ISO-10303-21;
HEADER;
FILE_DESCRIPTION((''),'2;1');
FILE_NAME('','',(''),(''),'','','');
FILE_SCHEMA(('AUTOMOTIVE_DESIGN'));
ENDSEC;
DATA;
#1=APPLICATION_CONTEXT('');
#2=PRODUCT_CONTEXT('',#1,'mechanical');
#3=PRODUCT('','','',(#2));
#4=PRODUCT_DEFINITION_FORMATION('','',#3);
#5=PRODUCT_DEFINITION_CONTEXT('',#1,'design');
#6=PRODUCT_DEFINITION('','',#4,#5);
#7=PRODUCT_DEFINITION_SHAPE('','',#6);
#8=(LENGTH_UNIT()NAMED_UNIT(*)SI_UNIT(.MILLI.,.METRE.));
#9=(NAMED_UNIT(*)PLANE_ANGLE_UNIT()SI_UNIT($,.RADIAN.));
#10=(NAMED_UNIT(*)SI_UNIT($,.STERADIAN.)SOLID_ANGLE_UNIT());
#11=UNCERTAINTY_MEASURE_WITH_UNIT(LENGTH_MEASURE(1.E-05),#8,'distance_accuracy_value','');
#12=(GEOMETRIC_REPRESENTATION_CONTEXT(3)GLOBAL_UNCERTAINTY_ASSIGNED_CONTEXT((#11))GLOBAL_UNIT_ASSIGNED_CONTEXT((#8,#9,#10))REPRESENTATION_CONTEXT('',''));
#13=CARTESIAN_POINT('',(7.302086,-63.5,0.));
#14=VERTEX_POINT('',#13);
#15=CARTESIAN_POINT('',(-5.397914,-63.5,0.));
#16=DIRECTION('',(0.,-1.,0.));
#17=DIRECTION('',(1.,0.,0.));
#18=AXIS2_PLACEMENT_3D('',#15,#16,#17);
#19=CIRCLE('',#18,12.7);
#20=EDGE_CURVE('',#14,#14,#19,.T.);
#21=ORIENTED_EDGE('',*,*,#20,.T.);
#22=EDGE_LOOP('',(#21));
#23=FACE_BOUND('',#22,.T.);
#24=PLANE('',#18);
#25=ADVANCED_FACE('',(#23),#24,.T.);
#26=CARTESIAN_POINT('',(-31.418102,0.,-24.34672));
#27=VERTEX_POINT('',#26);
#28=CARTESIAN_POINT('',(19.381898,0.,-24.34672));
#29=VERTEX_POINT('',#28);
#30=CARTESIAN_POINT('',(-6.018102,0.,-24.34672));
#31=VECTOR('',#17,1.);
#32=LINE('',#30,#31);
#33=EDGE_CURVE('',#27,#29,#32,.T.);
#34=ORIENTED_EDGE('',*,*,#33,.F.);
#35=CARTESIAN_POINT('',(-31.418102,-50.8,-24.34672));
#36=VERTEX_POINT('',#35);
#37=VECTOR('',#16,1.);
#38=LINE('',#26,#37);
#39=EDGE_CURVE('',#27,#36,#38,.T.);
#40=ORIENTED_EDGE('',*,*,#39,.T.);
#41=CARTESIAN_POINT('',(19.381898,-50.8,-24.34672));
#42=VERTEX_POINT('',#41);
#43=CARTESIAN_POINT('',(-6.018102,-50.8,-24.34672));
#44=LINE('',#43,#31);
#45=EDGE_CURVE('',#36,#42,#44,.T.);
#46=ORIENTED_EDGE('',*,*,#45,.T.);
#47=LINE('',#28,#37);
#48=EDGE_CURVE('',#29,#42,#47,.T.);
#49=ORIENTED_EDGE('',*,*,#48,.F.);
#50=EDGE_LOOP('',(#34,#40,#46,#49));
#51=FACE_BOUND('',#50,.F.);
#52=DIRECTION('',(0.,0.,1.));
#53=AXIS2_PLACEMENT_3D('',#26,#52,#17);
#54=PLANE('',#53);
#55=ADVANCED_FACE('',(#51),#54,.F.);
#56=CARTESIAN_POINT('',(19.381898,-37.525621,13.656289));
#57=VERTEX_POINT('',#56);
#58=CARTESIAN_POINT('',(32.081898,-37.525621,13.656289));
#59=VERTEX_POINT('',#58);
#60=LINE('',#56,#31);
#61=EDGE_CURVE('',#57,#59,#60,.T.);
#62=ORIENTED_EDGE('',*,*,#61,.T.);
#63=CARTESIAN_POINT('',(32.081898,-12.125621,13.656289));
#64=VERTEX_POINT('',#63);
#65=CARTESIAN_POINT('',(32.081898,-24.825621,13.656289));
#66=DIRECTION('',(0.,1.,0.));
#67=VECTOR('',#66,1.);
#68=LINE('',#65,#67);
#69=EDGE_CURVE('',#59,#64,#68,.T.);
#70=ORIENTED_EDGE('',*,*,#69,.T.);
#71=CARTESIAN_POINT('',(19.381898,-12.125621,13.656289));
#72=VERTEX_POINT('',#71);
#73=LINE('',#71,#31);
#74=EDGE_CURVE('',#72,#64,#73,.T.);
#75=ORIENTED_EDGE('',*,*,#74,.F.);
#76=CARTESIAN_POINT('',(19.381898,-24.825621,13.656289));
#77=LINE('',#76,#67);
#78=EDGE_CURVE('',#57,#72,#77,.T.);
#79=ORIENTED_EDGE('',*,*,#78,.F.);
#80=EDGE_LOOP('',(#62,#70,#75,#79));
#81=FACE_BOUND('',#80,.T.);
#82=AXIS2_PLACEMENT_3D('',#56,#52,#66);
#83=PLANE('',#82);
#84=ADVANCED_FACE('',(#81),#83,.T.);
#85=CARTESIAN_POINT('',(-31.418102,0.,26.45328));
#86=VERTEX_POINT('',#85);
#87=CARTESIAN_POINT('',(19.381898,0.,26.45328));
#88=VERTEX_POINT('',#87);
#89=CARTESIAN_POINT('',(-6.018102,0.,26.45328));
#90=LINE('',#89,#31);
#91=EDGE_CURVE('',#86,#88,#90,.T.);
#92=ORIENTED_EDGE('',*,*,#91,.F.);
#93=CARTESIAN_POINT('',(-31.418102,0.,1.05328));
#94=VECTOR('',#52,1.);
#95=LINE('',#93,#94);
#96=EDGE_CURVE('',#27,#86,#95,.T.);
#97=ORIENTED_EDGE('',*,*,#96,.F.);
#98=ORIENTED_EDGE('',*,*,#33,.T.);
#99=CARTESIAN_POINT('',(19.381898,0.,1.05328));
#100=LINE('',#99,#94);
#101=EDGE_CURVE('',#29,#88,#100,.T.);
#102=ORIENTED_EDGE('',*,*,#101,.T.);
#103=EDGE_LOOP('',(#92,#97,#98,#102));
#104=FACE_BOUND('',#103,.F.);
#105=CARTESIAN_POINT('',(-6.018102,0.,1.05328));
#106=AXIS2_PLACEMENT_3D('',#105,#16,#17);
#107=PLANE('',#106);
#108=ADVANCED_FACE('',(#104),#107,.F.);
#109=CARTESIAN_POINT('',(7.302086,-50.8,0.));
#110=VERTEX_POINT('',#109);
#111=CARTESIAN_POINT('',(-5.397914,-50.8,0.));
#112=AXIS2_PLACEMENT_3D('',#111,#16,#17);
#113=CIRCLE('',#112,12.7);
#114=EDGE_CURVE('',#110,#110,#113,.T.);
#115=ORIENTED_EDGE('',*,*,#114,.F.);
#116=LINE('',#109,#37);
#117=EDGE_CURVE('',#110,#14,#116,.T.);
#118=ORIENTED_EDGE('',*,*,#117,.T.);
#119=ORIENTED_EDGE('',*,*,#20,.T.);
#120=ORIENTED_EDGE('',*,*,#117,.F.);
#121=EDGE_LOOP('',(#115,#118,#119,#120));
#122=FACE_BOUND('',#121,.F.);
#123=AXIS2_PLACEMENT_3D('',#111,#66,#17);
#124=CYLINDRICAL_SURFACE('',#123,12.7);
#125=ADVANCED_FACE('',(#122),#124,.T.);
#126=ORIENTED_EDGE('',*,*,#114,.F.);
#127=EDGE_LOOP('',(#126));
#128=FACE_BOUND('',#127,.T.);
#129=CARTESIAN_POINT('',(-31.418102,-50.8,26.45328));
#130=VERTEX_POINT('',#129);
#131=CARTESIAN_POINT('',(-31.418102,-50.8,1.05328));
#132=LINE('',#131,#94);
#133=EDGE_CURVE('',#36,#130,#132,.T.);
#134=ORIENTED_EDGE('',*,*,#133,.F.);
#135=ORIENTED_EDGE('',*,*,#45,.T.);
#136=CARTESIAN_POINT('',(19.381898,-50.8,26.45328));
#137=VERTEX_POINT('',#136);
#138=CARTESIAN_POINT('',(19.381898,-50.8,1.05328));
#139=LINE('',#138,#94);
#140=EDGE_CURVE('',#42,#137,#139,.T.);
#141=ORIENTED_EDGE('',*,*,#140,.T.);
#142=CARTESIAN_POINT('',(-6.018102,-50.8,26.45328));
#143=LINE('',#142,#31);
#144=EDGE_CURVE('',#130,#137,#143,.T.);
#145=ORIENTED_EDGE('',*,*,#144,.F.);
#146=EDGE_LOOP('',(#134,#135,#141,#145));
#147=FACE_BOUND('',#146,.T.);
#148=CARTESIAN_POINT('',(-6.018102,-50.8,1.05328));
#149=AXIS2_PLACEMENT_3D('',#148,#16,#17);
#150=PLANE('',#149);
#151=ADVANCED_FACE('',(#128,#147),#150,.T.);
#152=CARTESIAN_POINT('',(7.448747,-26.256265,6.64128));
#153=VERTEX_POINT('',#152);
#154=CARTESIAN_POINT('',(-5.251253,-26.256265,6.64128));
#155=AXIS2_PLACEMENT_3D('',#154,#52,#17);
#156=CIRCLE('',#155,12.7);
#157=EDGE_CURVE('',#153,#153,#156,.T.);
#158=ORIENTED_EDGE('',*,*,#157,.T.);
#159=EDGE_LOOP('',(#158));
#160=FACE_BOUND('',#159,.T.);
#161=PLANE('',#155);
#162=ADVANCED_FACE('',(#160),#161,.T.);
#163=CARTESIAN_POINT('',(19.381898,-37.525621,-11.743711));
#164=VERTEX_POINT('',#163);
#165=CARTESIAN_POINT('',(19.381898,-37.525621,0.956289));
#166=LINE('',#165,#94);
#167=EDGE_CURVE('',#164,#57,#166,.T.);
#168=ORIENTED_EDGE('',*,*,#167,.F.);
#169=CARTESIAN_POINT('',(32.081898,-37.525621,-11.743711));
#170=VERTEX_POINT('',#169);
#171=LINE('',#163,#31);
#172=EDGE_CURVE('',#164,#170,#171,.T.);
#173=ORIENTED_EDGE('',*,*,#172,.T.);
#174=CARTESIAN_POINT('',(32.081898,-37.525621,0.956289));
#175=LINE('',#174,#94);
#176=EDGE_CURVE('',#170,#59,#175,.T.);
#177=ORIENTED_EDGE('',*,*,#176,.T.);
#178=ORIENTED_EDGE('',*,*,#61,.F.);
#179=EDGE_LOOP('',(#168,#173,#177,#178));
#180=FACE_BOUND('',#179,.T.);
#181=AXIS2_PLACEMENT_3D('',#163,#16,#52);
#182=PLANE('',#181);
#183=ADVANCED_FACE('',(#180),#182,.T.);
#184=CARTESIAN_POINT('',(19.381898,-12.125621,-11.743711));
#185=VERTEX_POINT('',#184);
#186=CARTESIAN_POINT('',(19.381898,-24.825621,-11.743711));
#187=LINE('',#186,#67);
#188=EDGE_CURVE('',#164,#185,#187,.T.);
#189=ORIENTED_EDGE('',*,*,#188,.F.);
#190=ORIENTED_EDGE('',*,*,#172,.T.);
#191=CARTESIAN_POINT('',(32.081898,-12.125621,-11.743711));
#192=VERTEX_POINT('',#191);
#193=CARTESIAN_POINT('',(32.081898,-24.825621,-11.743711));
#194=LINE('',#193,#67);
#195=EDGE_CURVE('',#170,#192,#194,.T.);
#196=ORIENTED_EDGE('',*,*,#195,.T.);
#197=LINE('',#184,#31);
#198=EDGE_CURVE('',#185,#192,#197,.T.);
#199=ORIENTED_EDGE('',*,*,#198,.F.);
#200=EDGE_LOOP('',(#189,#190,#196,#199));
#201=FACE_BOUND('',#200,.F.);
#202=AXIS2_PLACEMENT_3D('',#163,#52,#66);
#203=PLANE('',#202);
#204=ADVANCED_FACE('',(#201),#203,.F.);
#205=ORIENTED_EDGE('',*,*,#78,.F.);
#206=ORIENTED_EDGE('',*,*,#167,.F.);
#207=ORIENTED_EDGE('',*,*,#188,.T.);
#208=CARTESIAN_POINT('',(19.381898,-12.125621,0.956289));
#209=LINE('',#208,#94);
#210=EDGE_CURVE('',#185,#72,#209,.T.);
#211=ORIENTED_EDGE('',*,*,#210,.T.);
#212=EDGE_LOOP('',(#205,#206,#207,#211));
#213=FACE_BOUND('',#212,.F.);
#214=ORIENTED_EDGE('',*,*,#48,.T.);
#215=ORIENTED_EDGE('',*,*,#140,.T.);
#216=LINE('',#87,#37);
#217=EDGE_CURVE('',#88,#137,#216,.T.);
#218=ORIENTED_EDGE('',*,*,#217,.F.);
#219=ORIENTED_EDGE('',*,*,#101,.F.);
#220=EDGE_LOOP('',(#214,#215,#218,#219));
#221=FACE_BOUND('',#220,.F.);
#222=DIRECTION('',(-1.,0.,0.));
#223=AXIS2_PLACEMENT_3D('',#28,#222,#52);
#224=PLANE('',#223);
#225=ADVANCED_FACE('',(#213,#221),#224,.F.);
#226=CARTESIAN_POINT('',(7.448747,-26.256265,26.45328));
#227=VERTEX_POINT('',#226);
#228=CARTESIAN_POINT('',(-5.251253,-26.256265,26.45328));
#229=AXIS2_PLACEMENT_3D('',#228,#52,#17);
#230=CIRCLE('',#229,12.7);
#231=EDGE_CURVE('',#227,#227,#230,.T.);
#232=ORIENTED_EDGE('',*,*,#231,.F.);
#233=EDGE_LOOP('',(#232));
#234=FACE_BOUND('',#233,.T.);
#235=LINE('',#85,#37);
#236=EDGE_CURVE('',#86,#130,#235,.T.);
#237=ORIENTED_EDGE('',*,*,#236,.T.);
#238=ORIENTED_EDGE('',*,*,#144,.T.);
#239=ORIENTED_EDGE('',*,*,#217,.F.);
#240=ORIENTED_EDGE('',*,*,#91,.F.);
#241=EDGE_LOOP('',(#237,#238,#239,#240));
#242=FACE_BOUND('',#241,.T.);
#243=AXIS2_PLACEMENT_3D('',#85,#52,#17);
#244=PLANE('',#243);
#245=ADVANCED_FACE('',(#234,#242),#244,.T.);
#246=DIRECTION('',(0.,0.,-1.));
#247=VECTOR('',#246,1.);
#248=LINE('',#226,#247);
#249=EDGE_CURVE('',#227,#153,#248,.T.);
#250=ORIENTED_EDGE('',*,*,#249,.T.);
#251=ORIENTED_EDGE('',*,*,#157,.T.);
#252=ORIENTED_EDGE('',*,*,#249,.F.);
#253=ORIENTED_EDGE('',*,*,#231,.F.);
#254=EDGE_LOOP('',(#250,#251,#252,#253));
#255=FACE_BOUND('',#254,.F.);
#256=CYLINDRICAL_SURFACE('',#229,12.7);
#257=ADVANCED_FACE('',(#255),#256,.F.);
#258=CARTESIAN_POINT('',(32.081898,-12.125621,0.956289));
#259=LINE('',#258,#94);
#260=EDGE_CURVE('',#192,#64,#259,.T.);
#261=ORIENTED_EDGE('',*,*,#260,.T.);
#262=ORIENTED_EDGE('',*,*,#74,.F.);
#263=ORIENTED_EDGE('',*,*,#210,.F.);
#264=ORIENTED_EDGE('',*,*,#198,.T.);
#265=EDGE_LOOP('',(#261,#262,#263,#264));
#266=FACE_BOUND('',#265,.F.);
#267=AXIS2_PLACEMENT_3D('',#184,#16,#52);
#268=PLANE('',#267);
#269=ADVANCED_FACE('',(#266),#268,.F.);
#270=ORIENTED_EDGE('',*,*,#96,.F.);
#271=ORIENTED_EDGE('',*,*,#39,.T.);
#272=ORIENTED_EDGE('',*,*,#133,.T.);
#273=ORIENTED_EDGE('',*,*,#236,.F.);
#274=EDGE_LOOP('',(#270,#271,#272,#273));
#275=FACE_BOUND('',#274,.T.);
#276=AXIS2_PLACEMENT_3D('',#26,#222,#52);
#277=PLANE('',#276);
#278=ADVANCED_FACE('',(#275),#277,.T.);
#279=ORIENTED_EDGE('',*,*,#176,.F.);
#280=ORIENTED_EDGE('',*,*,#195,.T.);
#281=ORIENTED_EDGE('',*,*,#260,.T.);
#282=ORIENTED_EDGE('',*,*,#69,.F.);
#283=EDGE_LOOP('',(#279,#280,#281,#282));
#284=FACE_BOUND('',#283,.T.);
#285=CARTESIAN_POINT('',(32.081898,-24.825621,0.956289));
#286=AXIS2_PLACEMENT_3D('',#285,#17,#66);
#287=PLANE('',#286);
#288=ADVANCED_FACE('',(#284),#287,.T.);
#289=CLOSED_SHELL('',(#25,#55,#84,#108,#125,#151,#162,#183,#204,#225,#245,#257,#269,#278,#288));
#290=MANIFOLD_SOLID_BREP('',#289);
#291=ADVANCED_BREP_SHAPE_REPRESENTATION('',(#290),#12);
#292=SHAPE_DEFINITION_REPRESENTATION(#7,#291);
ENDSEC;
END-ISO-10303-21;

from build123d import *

# Parameters (mm, degrees)
F0_W     = 50.8
F0_H     = 50.8
F1_DEPTH = 50.8
F2_R     = 12.7
F3_DEPTH = 12.7
F4_W     = 25.4
F4_H     = 25.4
F5_DEPTH = 12.7
F6_R     = 12.7
F7_DEPTH = 19.812


with BuildPart() as f1:
    # F0 (on Front) → F1 (new body)
    with BuildSketch(Plane.XZ):
        with Locations((-6.018102, 1.05328)):
            Rectangle(F0_W, F0_H)
    extrude(amount=F1_DEPTH)

    # F2 (on face) → F3 (join)
    with BuildSketch(Plane.XZ.offset(50.8)):
        with Locations((-5.397914, 0)):
            Circle(F2_R)
    extrude(amount=F3_DEPTH)

    # F4 (on face) → F5 (join)
    with BuildSketch(Plane.YZ.offset(19.381898)):
        with Locations((-24.825621, 0.956289)):
            Rectangle(F4_W, F4_H)
    extrude(amount=F5_DEPTH)

    # F6 (on face) → F7 (cut)
    with BuildSketch(Plane.XY.offset(26.45328)):
        with Locations((-5.251253, -26.256265)):
            Circle(F6_R)
    extrude(amount=-F7_DEPTH, mode=Mode.SUBTRACT)


solid = f1.part
